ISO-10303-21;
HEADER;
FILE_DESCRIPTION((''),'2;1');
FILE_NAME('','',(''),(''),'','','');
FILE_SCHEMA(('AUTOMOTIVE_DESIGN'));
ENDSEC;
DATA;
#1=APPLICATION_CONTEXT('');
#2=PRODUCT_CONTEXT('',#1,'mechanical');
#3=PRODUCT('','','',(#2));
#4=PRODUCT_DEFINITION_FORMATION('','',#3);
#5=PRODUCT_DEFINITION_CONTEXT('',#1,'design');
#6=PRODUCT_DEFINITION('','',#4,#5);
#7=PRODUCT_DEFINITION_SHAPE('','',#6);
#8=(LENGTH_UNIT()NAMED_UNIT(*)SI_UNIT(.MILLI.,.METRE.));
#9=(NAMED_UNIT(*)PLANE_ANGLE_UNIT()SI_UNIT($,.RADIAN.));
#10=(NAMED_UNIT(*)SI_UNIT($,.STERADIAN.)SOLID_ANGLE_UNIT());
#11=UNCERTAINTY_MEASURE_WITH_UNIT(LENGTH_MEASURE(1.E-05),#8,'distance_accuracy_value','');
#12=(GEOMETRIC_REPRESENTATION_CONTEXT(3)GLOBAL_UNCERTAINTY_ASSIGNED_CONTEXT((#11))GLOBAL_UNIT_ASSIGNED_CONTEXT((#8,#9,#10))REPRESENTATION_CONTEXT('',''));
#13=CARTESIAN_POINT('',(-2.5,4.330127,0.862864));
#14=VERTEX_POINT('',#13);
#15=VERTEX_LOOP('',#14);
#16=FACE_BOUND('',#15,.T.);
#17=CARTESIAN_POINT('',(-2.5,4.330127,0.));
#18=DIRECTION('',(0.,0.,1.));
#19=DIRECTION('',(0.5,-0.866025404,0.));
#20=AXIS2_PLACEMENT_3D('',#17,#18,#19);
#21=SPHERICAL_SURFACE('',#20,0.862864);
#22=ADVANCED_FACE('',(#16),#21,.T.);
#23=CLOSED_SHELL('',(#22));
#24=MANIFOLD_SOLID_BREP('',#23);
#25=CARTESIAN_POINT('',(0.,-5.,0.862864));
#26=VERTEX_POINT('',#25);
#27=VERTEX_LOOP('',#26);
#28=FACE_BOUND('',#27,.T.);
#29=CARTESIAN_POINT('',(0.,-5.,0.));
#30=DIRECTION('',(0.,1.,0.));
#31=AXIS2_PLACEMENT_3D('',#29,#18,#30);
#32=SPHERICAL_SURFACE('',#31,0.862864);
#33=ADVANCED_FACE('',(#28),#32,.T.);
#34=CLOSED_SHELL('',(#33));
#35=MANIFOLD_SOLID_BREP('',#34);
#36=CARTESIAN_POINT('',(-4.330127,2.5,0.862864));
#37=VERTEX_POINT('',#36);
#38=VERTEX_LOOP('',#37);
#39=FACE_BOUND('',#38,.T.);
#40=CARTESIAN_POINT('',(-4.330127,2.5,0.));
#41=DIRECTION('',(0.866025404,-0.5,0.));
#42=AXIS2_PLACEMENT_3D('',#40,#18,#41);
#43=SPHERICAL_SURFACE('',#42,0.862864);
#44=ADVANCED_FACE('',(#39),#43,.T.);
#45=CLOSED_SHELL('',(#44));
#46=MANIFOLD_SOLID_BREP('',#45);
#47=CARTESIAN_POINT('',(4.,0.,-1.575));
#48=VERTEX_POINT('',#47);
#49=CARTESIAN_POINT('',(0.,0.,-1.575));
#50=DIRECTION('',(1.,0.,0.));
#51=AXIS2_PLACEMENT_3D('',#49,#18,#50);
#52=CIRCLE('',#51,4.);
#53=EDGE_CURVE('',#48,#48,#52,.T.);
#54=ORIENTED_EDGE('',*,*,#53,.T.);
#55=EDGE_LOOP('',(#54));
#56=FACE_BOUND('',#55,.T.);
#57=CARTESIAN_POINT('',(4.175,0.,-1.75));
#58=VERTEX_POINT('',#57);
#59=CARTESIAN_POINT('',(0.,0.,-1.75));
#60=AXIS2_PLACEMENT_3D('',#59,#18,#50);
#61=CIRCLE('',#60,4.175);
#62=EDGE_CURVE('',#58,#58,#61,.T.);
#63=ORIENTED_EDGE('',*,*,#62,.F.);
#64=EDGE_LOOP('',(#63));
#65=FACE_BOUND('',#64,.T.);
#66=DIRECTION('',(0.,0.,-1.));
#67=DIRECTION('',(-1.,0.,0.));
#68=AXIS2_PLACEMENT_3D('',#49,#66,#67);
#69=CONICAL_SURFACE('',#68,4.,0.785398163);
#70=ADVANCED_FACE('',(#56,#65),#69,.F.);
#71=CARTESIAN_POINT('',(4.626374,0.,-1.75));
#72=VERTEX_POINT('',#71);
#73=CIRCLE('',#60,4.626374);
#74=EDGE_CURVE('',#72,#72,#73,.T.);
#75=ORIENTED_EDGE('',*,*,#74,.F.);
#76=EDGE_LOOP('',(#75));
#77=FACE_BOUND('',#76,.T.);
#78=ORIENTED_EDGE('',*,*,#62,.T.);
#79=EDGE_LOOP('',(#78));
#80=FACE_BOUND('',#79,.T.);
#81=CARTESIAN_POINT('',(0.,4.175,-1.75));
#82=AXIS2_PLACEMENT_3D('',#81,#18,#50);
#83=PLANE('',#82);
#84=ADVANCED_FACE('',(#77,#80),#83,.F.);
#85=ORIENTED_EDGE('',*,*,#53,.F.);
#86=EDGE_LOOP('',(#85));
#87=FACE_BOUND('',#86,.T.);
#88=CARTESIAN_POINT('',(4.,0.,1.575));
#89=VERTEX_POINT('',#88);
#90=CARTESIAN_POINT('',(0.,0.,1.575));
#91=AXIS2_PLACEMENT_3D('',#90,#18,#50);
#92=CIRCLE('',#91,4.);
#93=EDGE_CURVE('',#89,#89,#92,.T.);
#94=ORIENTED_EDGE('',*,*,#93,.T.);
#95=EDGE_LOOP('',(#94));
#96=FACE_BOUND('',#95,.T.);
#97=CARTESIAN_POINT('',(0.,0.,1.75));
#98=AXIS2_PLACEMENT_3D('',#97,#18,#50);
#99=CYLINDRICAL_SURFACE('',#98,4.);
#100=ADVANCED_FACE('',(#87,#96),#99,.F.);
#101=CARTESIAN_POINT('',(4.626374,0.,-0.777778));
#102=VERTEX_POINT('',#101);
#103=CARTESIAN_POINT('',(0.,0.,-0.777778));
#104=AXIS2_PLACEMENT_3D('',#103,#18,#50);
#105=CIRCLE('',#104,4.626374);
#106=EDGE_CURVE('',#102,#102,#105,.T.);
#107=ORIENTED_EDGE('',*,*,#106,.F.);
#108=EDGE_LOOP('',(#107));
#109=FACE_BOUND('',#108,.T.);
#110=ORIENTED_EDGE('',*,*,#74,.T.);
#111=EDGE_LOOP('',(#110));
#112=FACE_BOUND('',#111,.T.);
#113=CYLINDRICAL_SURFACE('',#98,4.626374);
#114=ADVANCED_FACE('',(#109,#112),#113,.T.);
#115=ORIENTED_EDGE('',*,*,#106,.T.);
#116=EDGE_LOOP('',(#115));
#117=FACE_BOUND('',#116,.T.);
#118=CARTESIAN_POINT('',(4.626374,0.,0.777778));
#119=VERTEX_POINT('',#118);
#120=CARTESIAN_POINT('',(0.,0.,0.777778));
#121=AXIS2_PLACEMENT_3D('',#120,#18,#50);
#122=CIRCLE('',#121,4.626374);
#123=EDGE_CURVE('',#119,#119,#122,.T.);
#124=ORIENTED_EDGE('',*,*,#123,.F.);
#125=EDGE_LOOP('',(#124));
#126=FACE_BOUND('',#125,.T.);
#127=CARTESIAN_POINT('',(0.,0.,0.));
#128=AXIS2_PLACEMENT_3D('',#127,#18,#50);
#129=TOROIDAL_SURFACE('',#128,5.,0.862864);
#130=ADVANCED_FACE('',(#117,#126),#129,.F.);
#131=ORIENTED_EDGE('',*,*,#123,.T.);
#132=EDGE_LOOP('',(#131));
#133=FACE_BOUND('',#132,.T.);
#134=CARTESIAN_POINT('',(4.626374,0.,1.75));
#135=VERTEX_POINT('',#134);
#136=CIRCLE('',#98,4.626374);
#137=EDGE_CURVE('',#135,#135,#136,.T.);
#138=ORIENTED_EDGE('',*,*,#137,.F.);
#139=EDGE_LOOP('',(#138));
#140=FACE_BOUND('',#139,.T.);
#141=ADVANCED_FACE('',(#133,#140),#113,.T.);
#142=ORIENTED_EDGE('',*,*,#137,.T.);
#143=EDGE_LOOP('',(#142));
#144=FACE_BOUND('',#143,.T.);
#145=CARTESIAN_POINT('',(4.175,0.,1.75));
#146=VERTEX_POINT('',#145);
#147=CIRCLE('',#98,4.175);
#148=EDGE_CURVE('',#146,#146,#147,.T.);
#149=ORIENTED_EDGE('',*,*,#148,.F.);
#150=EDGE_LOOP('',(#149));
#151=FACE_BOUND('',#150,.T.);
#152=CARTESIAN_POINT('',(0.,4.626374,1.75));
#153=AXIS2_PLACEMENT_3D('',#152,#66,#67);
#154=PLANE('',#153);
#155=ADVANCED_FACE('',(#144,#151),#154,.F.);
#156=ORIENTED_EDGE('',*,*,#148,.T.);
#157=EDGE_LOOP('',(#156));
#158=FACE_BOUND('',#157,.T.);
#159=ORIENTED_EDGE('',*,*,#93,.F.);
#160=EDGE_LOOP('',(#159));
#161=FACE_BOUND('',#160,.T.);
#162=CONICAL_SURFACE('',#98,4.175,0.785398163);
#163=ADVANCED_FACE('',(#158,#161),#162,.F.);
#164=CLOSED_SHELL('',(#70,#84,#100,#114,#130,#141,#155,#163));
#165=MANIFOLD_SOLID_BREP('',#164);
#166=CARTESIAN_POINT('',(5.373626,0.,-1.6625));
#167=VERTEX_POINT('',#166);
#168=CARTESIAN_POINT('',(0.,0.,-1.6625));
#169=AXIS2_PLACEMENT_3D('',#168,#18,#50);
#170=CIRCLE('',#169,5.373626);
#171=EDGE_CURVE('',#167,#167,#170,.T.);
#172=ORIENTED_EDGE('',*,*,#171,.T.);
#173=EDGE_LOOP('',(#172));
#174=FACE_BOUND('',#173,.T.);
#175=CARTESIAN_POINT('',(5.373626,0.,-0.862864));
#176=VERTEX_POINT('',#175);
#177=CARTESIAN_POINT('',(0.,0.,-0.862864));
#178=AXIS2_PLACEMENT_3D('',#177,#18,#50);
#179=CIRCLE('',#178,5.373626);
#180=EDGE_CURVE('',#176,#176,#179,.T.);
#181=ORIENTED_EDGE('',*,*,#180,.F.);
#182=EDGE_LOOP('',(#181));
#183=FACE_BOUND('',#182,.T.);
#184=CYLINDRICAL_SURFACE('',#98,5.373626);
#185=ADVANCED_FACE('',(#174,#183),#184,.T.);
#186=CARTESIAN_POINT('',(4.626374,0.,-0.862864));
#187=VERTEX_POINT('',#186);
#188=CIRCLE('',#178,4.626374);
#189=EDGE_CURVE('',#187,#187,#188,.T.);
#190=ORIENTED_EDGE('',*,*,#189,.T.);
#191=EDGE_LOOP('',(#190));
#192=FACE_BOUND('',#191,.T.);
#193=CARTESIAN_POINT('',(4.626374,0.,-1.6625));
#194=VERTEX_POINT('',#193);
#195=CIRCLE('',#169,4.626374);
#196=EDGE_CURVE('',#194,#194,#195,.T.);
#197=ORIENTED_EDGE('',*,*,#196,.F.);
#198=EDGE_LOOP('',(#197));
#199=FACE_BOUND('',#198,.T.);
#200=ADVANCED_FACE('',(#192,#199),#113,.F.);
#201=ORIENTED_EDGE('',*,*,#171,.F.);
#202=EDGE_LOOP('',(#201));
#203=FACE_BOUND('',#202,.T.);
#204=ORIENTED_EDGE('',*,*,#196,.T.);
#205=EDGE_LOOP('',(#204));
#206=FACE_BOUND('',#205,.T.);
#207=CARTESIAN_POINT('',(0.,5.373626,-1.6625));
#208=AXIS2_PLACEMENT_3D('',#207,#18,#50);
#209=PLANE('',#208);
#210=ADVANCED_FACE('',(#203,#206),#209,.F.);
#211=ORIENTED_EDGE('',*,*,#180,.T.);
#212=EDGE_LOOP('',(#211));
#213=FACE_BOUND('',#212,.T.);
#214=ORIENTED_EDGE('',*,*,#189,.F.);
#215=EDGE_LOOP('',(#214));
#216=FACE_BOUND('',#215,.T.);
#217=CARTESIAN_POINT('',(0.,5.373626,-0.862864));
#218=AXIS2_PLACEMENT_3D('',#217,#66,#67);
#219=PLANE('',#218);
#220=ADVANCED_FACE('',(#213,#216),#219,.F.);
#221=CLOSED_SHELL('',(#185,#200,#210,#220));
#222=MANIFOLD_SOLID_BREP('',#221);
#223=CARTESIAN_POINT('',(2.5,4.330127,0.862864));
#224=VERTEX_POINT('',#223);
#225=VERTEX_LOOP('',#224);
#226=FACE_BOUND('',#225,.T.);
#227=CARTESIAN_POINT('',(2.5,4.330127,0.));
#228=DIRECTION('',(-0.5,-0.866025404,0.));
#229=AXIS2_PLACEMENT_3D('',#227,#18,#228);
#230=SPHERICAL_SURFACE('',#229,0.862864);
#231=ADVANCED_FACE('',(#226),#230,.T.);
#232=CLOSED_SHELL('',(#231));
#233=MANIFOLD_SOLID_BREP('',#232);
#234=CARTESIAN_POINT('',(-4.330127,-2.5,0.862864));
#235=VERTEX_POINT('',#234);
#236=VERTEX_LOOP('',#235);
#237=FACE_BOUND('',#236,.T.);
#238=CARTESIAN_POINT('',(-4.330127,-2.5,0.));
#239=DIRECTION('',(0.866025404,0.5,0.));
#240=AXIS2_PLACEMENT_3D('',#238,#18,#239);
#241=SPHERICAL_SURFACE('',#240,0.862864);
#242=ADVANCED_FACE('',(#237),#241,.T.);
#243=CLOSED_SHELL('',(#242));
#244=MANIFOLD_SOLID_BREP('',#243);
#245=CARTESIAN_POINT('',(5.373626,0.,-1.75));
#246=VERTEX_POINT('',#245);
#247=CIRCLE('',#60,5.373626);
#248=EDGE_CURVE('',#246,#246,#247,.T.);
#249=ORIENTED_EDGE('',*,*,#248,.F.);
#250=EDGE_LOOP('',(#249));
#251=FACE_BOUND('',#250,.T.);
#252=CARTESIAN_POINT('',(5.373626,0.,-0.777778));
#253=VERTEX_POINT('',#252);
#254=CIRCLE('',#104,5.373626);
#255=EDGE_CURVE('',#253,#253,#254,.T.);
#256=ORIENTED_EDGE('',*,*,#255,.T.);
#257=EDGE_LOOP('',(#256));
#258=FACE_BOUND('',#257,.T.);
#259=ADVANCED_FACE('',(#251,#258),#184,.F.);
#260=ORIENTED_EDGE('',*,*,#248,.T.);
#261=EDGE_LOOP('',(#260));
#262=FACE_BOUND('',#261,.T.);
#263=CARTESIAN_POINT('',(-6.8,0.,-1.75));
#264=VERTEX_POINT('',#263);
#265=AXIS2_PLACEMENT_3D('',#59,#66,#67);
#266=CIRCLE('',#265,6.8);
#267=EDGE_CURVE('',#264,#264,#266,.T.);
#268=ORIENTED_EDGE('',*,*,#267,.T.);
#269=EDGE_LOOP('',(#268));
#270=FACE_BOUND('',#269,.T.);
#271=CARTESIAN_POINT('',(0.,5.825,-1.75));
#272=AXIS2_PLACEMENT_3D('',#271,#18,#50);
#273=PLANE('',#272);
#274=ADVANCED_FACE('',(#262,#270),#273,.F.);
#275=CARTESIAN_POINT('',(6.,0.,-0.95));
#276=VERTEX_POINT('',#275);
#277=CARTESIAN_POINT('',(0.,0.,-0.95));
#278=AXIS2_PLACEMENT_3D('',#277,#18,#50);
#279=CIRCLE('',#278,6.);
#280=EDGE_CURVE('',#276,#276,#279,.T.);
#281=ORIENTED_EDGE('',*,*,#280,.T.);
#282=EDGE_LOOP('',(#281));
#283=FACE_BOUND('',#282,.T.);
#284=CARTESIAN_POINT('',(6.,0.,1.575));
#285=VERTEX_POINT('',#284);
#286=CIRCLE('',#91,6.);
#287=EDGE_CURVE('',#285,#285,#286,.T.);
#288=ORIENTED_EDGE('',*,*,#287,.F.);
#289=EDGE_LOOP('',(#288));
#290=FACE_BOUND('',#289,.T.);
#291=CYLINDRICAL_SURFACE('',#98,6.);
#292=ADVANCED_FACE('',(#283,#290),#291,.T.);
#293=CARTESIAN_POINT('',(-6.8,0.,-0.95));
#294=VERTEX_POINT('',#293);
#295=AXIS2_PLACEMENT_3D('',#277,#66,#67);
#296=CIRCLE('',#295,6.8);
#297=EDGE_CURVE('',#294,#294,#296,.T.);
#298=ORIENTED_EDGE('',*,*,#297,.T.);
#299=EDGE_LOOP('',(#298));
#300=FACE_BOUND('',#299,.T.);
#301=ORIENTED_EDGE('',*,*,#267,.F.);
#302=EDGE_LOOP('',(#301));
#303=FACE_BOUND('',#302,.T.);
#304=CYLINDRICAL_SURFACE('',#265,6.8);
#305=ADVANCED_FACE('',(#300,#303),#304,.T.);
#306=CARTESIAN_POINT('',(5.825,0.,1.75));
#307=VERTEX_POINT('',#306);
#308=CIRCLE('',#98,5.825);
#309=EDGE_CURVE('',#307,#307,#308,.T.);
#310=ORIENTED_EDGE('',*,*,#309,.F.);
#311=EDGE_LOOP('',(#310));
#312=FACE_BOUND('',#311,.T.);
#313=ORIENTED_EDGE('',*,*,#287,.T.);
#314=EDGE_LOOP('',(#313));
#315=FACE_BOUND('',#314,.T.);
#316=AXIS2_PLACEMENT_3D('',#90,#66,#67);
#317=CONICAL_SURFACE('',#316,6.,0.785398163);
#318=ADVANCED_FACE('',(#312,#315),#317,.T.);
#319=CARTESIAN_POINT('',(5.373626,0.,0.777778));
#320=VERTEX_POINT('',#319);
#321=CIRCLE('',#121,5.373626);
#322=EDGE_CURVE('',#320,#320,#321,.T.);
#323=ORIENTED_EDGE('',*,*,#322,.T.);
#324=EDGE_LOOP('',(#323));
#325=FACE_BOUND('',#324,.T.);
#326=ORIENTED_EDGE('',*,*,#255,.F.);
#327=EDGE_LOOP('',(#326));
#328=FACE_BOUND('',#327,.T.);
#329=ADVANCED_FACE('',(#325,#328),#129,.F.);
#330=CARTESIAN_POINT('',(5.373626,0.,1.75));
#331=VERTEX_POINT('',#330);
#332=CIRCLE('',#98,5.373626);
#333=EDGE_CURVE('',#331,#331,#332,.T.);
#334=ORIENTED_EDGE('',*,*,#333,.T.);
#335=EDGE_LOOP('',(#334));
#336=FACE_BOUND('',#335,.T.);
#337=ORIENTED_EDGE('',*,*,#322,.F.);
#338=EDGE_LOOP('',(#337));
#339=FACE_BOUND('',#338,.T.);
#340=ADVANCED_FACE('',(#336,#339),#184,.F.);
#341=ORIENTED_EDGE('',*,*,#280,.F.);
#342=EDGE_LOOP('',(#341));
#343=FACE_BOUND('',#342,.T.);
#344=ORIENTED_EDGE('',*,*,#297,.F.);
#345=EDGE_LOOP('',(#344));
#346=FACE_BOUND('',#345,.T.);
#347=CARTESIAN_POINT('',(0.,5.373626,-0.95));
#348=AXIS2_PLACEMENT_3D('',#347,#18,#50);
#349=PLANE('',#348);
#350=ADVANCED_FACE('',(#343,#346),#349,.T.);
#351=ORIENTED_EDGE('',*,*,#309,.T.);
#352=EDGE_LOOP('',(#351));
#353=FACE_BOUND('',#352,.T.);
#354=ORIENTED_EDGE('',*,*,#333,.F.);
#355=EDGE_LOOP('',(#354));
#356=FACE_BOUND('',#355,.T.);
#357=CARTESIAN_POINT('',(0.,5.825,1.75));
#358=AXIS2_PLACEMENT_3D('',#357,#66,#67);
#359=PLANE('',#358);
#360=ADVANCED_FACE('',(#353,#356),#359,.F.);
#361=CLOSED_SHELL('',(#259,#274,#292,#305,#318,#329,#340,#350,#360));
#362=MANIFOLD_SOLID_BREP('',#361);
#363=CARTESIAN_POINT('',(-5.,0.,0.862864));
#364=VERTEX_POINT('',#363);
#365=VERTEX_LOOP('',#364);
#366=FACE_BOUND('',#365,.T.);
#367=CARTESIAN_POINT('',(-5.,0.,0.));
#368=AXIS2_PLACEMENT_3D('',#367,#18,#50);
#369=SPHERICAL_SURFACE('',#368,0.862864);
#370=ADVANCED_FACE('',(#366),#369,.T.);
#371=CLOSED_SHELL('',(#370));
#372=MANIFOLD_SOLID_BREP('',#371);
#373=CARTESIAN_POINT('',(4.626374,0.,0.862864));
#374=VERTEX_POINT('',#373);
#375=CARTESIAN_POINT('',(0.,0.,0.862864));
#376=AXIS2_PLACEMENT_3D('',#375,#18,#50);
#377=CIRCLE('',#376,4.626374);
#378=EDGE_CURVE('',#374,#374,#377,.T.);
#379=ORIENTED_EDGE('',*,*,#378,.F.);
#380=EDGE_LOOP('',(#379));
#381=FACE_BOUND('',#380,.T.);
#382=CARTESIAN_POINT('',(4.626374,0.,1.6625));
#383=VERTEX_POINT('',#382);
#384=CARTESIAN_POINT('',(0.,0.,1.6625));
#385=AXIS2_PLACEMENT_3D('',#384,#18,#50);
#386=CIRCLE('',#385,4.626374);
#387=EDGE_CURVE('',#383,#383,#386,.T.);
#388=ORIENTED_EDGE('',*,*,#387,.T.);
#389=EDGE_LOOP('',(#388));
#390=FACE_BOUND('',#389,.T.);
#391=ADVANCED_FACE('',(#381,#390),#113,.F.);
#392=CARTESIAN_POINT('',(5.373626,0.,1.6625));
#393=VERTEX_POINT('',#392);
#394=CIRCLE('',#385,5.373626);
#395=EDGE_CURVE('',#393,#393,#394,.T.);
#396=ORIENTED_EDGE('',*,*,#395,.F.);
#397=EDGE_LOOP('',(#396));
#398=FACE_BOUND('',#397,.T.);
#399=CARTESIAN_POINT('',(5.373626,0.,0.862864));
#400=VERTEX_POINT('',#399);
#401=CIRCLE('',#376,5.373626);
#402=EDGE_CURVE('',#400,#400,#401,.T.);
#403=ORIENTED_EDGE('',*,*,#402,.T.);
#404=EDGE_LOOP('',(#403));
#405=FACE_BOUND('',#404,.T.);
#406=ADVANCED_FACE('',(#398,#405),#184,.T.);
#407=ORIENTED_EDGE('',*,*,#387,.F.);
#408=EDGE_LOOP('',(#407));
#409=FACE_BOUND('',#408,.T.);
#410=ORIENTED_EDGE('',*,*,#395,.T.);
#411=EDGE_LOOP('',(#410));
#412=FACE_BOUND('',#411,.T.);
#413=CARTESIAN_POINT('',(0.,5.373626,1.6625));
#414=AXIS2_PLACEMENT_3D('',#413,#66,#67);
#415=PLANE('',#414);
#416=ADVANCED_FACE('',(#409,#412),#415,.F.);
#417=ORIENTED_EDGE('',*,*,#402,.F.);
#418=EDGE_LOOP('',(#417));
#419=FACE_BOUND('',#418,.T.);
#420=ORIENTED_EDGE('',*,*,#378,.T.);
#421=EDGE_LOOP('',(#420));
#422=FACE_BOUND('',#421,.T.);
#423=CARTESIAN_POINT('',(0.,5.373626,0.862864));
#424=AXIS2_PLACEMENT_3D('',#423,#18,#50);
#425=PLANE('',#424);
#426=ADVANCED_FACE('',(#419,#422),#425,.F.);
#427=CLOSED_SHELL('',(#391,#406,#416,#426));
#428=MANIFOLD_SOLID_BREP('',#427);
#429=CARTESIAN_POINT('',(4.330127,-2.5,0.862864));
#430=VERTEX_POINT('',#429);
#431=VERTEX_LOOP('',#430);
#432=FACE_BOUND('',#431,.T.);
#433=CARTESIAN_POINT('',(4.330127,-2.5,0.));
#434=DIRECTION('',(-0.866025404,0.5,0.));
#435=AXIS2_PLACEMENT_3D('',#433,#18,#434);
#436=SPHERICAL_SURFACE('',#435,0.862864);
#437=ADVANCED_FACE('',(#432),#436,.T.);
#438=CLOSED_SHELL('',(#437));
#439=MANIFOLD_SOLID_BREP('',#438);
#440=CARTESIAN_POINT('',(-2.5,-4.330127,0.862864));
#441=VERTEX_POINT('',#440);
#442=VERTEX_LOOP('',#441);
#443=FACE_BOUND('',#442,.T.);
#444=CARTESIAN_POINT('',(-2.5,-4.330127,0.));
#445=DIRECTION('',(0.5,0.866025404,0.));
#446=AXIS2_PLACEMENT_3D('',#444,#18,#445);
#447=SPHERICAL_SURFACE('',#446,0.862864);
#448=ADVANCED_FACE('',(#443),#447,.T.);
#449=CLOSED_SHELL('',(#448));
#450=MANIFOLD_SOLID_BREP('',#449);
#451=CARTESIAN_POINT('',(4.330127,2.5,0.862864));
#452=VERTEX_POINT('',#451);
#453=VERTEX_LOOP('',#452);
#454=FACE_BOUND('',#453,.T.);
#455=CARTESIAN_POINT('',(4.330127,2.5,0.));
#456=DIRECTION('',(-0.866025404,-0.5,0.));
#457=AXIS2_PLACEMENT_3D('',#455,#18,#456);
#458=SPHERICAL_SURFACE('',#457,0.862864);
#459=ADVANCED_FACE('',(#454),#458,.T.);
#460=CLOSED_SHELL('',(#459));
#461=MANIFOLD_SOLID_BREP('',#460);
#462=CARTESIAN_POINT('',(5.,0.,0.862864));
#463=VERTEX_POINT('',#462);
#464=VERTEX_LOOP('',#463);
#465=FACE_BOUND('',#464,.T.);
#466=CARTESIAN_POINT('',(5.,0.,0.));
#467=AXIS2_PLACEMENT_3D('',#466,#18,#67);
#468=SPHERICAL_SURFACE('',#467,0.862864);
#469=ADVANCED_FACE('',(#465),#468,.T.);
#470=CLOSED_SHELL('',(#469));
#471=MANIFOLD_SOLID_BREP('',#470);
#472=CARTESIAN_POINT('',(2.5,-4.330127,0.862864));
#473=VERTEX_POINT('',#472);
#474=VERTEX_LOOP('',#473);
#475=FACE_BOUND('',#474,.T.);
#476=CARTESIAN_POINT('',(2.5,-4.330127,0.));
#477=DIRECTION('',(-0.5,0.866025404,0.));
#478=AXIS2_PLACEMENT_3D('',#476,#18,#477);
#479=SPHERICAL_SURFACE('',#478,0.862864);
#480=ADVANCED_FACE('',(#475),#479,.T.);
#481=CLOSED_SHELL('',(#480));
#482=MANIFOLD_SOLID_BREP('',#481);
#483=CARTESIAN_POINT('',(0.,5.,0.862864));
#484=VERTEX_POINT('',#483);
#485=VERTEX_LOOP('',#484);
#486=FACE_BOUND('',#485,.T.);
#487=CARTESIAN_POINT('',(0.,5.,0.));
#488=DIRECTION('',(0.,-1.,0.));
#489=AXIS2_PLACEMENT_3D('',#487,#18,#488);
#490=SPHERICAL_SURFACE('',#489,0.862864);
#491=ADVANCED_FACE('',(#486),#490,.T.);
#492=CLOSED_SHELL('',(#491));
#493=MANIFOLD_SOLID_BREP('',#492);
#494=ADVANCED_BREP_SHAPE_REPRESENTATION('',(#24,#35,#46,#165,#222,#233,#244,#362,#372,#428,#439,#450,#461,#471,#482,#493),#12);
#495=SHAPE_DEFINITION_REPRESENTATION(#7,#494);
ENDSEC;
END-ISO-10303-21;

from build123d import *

# Parameters (mm, degrees)
CIRPATTERN1_COUNT = 12
SKETCH5_W         = 0.79963562
SKETCH5_H         = 0.747252748
SKETCH6_W         = 0.8
SKETCH6_H         = 1.426373626


with BuildPart() as part:
    # Sketch1 → Revolve1 (revolve)
    with BuildSketch(Plane(origin=(0, 0, 0), x_dir=(0, 0, -1), z_dir=(1, 0, 0))):
        with BuildLine():
            Line((1.575, 6), (-1.575, 6))
            Line((-1.575, 6), (-1.75, 5.825))
            Line((-1.75, 5.825), (-1.75, 5.373626374))
            Line((-1.75, 5.373626374), (-0.777777778, 5.373626374))
            ThreePointArc((-0.777777778, 5.373626374), (0, 5.86286438), (0.777777778, 5.373626374))
            Line((0.777777778, 5.373626374), (1.75, 5.373626374))
            Line((1.75, 5.373626374), (1.75, 5.825))
            Line((1.75, 5.825), (1.575, 6))
        make_face()
    revolve(axis=Axis((0, 0, 1.75), (0, 0, -1)))

    # Sketch6 → Revolve6 (revolve)
    with BuildSketch(Plane(origin=(0, 0, 0), x_dir=(0, 0, -1), z_dir=(1, 0, 0))):
        with Locations((1.35, 6.086813187)):
            Rectangle(SKETCH6_W, SKETCH6_H)
    revolve(axis=Axis((0, 0, -1.75), (0, 0, 1)))


with BuildPart() as body_2:
    # Sketch3 → Revolve3 (revolve)
    with BuildSketch(Plane(origin=(0, 0, 0), x_dir=(0, 0, -1), z_dir=(1, 0, 0))):
        with BuildLine():
            Line((-1.75, 4.626373626), (-0.777777778, 4.626373626))
            ThreePointArc((-0.777777778, 4.626373626), (0, 4.13713562), (0.777777778, 4.626373626))
            Line((0.777777778, 4.626373626), (1.75, 4.626373626))
            Line((1.75, 4.626373626), (1.75, 4.175))
            Line((1.75, 4.175), (1.575, 4))
            Line((1.575, 4), (-1.575, 4))
            Line((-1.575, 4), (-1.75, 4.175))
            Line((-1.75, 4.175), (-1.75, 4.626373626))
        make_face()
    revolve(axis=Axis((0, 0, 1.75), (0, 0, -1)))


with BuildPart() as body_3:
    # Sketch4 → Revolve4 (revolve)
    with BuildSketch(Plane(origin=(0, 0, 0), x_dir=(0, 0, -1), z_dir=(1, 0, 0))):
        with BuildLine():
            Line((-0.86286438, 5), (0.86286438, 5))
            ThreePointArc((0.86286438, 5), (0, 5.86286438), (-0.86286438, 5))
        make_face()
    revolve(axis=Axis((0, 5, 0.86286438), (0, 0, -1)))


with BuildPart() as cirpattern1_1:
    # CirPattern1: pattern copy
    add(body_3.part.rotate(Axis((0, 0, -1.75), (0, 0, 1)), 1 * 360 / CIRPATTERN1_COUNT))


with BuildPart() as cirpattern1_2:
    # CirPattern1: pattern copy
    add(body_3.part.rotate(Axis((0, 0, -1.75), (0, 0, 1)), 2 * 360 / CIRPATTERN1_COUNT))


with BuildPart() as cirpattern1_3:
    # CirPattern1: pattern copy
    add(body_3.part.rotate(Axis((0, 0, -1.75), (0, 0, 1)), 3 * 360 / CIRPATTERN1_COUNT))


with BuildPart() as cirpattern1_4:
    # CirPattern1: pattern copy
    add(body_3.part.rotate(Axis((0, 0, -1.75), (0, 0, 1)), 4 * 360 / CIRPATTERN1_COUNT))


with BuildPart() as cirpattern1_5:
    # CirPattern1: pattern copy
    add(body_3.part.rotate(Axis((0, 0, -1.75), (0, 0, 1)), 5 * 360 / CIRPATTERN1_COUNT))


with BuildPart() as cirpattern1_6:
    # CirPattern1: pattern copy
    add(body_3.part.rotate(Axis((0, 0, -1.75), (0, 0, 1)), 6 * 360 / CIRPATTERN1_COUNT))


with BuildPart() as cirpattern1_7:
    # CirPattern1: pattern copy
    add(body_3.part.rotate(Axis((0, 0, -1.75), (0, 0, 1)), 7 * 360 / CIRPATTERN1_COUNT))


with BuildPart() as cirpattern1_8:
    # CirPattern1: pattern copy
    add(body_3.part.rotate(Axis((0, 0, -1.75), (0, 0, 1)), 8 * 360 / CIRPATTERN1_COUNT))


with BuildPart() as cirpattern1_9:
    # CirPattern1: pattern copy
    add(body_3.part.rotate(Axis((0, 0, -1.75), (0, 0, 1)), 9 * 360 / CIRPATTERN1_COUNT))


with BuildPart() as cirpattern1_10:
    # CirPattern1: pattern copy
    add(body_3.part.rotate(Axis((0, 0, -1.75), (0, 0, 1)), 10 * 360 / CIRPATTERN1_COUNT))


with BuildPart() as cirpattern1_11:
    # CirPattern1: pattern copy
    add(body_3.part.rotate(Axis((0, 0, -1.75), (0, 0, 1)), 11 * 360 / CIRPATTERN1_COUNT))


with BuildPart() as body_15:
    # Sketch5 → Revolve5 (revolve)
    with BuildSketch(Plane(origin=(0, 0, 0), x_dir=(0, 0, -1), z_dir=(1, 0, 0))):
        with Locations((-1.26268219, 5)):
            Rectangle(SKETCH5_W, SKETCH5_H)
        with Locations((1.26268219, 5)):
            Rectangle(SKETCH5_W, SKETCH5_H)
    revolve(axis=Axis((0, 0, 1.75), (0, 0, -1)))


solid = Compound([part.part, body_2.part, body_3.part, cirpattern1_1.part, cirpattern1_2.part, cirpattern1_3.part, cirpattern1_4.part, cirpattern1_5.part, cirpattern1_6.part, cirpattern1_7.part, cirpattern1_8.part, cirpattern1_9.part, cirpattern1_10.part, cirpattern1_11.part, body_15.part])
